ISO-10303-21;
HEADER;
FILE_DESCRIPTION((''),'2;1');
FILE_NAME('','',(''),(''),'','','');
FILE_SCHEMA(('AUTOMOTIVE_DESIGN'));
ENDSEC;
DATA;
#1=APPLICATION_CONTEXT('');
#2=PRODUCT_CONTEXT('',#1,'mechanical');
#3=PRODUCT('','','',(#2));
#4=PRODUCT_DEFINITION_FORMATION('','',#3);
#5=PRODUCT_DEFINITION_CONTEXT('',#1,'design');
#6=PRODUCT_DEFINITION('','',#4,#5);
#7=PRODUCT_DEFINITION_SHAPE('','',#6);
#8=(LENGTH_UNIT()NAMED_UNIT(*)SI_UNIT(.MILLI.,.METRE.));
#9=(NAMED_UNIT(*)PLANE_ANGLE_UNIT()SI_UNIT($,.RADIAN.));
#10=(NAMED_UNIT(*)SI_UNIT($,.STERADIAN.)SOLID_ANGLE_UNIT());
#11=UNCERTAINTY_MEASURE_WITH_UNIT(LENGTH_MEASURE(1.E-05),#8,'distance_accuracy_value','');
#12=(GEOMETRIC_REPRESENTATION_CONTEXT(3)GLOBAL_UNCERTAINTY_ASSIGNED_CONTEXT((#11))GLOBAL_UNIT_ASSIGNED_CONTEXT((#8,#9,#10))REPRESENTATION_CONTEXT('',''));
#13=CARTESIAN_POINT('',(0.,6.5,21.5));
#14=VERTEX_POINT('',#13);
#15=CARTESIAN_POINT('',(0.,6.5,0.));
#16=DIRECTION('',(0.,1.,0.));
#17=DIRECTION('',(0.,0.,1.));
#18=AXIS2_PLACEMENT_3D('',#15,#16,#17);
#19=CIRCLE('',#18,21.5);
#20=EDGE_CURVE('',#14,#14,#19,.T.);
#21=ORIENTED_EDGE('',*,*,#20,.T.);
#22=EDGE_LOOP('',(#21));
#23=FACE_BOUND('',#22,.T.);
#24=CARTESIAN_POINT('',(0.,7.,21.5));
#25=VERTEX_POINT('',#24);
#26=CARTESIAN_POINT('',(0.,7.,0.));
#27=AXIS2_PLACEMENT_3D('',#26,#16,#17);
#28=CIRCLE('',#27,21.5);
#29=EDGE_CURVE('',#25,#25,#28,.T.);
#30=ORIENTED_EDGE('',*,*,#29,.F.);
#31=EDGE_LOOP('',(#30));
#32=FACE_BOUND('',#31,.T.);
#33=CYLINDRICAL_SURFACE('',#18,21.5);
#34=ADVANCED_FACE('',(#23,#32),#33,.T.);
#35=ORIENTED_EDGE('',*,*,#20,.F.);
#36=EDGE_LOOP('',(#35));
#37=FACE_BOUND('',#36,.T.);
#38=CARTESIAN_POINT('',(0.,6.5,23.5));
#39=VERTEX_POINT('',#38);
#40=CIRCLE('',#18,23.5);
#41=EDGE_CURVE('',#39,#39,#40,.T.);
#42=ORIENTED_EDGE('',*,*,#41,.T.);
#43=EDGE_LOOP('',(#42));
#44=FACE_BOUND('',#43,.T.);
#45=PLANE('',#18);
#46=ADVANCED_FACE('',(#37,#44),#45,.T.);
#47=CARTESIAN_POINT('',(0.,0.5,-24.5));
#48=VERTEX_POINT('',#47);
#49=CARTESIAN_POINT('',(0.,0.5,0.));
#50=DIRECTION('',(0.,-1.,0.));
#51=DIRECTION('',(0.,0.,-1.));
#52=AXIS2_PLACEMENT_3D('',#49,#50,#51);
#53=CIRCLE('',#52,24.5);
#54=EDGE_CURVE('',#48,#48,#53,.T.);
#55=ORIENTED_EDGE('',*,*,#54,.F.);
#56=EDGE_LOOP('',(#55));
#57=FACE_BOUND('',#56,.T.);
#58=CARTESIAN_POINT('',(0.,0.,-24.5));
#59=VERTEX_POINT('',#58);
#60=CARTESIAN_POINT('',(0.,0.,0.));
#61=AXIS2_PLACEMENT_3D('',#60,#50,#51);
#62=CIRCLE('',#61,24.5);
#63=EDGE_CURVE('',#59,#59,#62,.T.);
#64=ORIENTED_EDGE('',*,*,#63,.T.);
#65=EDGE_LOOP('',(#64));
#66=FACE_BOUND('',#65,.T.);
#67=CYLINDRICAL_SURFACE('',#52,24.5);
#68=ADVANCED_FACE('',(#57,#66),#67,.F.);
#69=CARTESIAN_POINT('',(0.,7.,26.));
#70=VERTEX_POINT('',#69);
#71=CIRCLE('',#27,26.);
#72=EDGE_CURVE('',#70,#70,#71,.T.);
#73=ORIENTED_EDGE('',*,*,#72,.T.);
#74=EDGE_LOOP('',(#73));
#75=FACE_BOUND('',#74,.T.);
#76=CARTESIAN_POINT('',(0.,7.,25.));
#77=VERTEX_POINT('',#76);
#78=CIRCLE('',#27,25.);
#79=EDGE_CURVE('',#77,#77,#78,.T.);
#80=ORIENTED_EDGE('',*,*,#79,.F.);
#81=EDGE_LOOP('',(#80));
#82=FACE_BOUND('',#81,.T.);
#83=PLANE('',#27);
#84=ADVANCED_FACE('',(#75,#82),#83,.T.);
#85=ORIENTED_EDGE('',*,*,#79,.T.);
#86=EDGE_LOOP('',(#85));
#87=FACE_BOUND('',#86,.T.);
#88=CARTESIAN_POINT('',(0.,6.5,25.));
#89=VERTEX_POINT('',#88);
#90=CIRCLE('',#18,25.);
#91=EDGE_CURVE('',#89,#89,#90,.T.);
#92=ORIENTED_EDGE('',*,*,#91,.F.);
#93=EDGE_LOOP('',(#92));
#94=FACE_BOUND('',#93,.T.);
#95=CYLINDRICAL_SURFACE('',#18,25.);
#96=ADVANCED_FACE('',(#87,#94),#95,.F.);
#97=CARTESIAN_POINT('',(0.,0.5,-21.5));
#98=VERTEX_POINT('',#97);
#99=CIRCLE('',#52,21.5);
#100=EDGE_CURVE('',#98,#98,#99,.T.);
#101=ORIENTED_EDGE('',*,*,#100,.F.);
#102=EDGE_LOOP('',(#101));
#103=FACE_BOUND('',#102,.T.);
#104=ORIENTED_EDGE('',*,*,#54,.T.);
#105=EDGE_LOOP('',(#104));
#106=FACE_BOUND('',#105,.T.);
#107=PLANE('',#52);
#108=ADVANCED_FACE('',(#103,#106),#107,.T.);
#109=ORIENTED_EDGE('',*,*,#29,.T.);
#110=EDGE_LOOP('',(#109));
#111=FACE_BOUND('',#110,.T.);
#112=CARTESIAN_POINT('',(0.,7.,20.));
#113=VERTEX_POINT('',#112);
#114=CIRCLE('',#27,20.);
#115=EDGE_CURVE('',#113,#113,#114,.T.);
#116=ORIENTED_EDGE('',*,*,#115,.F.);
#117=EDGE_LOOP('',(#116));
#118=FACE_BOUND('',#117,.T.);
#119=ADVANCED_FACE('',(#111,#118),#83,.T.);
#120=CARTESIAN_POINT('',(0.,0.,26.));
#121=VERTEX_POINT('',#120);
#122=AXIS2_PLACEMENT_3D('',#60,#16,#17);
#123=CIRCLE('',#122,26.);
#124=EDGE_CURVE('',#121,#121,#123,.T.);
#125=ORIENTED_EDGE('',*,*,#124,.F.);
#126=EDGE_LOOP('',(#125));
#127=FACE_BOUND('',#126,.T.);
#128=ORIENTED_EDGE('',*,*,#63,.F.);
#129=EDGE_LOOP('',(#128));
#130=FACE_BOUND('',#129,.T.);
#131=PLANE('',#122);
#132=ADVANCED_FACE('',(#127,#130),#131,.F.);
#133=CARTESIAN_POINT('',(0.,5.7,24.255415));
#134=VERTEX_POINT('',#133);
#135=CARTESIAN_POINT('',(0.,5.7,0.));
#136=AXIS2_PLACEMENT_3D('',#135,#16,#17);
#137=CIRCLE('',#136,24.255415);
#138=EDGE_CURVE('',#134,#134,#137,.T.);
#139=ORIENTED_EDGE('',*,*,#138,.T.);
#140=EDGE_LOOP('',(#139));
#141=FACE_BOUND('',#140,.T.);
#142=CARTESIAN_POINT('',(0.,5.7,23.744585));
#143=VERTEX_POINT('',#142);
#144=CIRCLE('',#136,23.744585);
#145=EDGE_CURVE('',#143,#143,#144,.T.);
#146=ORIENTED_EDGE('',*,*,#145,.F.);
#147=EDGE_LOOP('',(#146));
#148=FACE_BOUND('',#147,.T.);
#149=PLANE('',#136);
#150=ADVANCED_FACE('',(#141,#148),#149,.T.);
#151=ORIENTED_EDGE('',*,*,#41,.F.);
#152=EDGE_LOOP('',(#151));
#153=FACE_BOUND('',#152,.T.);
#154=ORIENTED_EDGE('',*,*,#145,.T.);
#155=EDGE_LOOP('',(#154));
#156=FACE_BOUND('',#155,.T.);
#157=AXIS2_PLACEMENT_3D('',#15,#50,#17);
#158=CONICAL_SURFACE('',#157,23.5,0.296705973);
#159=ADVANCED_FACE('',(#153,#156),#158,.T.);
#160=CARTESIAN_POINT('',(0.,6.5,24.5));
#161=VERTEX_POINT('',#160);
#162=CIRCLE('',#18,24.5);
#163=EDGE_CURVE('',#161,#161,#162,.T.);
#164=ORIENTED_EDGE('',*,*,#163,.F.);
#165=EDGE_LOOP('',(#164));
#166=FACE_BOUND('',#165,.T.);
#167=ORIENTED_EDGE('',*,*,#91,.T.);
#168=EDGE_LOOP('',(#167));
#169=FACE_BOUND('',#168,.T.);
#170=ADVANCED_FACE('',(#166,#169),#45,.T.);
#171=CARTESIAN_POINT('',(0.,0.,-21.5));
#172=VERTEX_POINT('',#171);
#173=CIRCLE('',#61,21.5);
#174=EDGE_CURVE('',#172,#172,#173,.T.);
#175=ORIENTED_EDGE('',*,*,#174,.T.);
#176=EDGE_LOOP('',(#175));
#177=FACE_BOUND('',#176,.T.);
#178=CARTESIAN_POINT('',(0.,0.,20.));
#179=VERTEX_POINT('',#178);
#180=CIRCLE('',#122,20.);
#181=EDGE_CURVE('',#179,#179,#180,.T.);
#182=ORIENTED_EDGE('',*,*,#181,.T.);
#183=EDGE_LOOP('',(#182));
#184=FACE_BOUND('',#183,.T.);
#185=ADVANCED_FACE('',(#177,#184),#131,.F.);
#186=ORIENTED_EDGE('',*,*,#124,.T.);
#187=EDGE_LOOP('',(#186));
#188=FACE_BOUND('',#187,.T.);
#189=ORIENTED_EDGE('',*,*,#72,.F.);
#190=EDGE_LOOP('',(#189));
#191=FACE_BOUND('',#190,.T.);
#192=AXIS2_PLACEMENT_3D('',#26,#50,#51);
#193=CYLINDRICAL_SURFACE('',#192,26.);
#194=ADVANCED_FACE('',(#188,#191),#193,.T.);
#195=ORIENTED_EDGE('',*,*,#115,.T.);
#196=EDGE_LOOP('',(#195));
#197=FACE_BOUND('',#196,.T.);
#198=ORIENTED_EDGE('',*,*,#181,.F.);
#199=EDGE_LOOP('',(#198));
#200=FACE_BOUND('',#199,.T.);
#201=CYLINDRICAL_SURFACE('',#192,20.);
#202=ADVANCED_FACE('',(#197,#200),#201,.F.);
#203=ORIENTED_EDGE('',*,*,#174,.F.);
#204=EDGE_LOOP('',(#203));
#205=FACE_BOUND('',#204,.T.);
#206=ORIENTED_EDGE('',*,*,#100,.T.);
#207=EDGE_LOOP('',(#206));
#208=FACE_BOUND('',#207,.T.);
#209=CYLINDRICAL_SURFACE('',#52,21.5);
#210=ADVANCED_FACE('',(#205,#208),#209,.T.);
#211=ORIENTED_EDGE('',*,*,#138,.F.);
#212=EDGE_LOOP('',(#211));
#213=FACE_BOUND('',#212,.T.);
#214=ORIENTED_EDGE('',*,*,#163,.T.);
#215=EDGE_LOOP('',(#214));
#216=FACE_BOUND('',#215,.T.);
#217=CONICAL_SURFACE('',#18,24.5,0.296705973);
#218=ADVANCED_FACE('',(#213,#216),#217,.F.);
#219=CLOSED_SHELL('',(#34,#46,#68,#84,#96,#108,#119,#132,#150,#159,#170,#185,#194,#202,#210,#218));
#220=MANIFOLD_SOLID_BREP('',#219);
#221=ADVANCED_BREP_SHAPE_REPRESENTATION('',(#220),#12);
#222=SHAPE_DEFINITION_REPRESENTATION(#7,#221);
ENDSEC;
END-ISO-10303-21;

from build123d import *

# Parameters (mm, degrees)
SKETCH_1_R          = 26
SKETCH_1_R_2        = 20
EXTRUDE_1_DEPTH     = 7
SKETCH_2_R          = 25
SKETCH_2_R_2        = 21.5
CUT_EXTRUDE_1_DEPTH = 0.5
SKETCH_3_R          = 24.5
SKETCH_3_R_2        = 23.5
CUT_EXTRUDE_2_DEPTH = 0.8
CUT_EXTRUDE_2_DRAFT = -17
CUT_EXTRUDE_START   = -0.5
SKETCH_4_R          = 24.5
SKETCH_4_R_2        = 21.5
CUT_EXTRUDE_3_DEPTH = 0.5


with BuildPart() as part:
    # Эскиз1 → Бобышка-Вытянуть1 (new body)
    with BuildSketch(Plane(origin=(0, 0, 0), x_dir=(1, 0, 0), z_dir=(0, 1, 0))):
        with Locations(Location((0, 0, 0), (0, 0, 270))):
            Circle(SKETCH_1_R)
        with Locations(Location((0, 0, 0), (0, 0, 270))):
            Circle(SKETCH_1_R_2, mode=Mode.SUBTRACT)
    extrude(amount=EXTRUDE_1_DEPTH)

    # Эскиз2 → Вырез-Вытянуть1 (cut)
    with BuildSketch(Plane(origin=(0, 7, 0), x_dir=(1, 0, 0), z_dir=(0, 1, 0))):
        with Locations(Location((0, 0, 0), (0, 0, 270))):
            Circle(SKETCH_2_R)
        with Locations(Location((0, 0, 0), (0, 0, 270))):
            Circle(SKETCH_2_R_2, mode=Mode.SUBTRACT)
    extrude(amount=-CUT_EXTRUDE_1_DEPTH, mode=Mode.SUBTRACT)


with BuildPart() as cut_extrude_2_tool:
    # Эскиз3 → Вырез-Вытянуть2 (with draft: the straight prism first)
    with BuildSketch(Plane(origin=(0, 6.5, 0), x_dir=(1, 0, 0), z_dir=(0, 1, 0))):
        Circle(SKETCH_3_R)
        Circle(SKETCH_3_R_2, mode=Mode.SUBTRACT)
    extrude(amount=-CUT_EXTRUDE_2_DEPTH)
    # Вырез-Вытянуть2: the draft: its side faces are tilted about the plane it starts from
    cut_extrude_2_sides = [cut_extrude_2_tool.faces().sort_by_distance(p)[0] for p in [
        (-24.5, 6.1, 0),
        (-23.5, 6.1, 0),
    ]]
    draft(cut_extrude_2_sides, Plane(origin=(0, 6.5, 0), x_dir=(1, 0, 0), z_dir=(0, 1, 0)), CUT_EXTRUDE_2_DRAFT)


with BuildPart() as part_1:
    add(part.part)

    # Вырез-Вытянуть2: cut by cut_extrude_2_tool
    add(cut_extrude_2_tool.part, mode=Mode.SUBTRACT)

    # Эскиз4 → Вырез-Вытянуть3 (cut)
    with BuildSketch(Plane.XZ.offset(CUT_EXTRUDE_START)):
        with Locations(Location((0, 0, 0), (0, 0, 270))):
            Circle(SKETCH_4_R)
        with Locations(Location((0, 0, 0), (0, 0, 90))):
            Circle(SKETCH_4_R_2, mode=Mode.SUBTRACT)
    extrude(amount=CUT_EXTRUDE_3_DEPTH, mode=Mode.SUBTRACT)


solid = part_1.part
